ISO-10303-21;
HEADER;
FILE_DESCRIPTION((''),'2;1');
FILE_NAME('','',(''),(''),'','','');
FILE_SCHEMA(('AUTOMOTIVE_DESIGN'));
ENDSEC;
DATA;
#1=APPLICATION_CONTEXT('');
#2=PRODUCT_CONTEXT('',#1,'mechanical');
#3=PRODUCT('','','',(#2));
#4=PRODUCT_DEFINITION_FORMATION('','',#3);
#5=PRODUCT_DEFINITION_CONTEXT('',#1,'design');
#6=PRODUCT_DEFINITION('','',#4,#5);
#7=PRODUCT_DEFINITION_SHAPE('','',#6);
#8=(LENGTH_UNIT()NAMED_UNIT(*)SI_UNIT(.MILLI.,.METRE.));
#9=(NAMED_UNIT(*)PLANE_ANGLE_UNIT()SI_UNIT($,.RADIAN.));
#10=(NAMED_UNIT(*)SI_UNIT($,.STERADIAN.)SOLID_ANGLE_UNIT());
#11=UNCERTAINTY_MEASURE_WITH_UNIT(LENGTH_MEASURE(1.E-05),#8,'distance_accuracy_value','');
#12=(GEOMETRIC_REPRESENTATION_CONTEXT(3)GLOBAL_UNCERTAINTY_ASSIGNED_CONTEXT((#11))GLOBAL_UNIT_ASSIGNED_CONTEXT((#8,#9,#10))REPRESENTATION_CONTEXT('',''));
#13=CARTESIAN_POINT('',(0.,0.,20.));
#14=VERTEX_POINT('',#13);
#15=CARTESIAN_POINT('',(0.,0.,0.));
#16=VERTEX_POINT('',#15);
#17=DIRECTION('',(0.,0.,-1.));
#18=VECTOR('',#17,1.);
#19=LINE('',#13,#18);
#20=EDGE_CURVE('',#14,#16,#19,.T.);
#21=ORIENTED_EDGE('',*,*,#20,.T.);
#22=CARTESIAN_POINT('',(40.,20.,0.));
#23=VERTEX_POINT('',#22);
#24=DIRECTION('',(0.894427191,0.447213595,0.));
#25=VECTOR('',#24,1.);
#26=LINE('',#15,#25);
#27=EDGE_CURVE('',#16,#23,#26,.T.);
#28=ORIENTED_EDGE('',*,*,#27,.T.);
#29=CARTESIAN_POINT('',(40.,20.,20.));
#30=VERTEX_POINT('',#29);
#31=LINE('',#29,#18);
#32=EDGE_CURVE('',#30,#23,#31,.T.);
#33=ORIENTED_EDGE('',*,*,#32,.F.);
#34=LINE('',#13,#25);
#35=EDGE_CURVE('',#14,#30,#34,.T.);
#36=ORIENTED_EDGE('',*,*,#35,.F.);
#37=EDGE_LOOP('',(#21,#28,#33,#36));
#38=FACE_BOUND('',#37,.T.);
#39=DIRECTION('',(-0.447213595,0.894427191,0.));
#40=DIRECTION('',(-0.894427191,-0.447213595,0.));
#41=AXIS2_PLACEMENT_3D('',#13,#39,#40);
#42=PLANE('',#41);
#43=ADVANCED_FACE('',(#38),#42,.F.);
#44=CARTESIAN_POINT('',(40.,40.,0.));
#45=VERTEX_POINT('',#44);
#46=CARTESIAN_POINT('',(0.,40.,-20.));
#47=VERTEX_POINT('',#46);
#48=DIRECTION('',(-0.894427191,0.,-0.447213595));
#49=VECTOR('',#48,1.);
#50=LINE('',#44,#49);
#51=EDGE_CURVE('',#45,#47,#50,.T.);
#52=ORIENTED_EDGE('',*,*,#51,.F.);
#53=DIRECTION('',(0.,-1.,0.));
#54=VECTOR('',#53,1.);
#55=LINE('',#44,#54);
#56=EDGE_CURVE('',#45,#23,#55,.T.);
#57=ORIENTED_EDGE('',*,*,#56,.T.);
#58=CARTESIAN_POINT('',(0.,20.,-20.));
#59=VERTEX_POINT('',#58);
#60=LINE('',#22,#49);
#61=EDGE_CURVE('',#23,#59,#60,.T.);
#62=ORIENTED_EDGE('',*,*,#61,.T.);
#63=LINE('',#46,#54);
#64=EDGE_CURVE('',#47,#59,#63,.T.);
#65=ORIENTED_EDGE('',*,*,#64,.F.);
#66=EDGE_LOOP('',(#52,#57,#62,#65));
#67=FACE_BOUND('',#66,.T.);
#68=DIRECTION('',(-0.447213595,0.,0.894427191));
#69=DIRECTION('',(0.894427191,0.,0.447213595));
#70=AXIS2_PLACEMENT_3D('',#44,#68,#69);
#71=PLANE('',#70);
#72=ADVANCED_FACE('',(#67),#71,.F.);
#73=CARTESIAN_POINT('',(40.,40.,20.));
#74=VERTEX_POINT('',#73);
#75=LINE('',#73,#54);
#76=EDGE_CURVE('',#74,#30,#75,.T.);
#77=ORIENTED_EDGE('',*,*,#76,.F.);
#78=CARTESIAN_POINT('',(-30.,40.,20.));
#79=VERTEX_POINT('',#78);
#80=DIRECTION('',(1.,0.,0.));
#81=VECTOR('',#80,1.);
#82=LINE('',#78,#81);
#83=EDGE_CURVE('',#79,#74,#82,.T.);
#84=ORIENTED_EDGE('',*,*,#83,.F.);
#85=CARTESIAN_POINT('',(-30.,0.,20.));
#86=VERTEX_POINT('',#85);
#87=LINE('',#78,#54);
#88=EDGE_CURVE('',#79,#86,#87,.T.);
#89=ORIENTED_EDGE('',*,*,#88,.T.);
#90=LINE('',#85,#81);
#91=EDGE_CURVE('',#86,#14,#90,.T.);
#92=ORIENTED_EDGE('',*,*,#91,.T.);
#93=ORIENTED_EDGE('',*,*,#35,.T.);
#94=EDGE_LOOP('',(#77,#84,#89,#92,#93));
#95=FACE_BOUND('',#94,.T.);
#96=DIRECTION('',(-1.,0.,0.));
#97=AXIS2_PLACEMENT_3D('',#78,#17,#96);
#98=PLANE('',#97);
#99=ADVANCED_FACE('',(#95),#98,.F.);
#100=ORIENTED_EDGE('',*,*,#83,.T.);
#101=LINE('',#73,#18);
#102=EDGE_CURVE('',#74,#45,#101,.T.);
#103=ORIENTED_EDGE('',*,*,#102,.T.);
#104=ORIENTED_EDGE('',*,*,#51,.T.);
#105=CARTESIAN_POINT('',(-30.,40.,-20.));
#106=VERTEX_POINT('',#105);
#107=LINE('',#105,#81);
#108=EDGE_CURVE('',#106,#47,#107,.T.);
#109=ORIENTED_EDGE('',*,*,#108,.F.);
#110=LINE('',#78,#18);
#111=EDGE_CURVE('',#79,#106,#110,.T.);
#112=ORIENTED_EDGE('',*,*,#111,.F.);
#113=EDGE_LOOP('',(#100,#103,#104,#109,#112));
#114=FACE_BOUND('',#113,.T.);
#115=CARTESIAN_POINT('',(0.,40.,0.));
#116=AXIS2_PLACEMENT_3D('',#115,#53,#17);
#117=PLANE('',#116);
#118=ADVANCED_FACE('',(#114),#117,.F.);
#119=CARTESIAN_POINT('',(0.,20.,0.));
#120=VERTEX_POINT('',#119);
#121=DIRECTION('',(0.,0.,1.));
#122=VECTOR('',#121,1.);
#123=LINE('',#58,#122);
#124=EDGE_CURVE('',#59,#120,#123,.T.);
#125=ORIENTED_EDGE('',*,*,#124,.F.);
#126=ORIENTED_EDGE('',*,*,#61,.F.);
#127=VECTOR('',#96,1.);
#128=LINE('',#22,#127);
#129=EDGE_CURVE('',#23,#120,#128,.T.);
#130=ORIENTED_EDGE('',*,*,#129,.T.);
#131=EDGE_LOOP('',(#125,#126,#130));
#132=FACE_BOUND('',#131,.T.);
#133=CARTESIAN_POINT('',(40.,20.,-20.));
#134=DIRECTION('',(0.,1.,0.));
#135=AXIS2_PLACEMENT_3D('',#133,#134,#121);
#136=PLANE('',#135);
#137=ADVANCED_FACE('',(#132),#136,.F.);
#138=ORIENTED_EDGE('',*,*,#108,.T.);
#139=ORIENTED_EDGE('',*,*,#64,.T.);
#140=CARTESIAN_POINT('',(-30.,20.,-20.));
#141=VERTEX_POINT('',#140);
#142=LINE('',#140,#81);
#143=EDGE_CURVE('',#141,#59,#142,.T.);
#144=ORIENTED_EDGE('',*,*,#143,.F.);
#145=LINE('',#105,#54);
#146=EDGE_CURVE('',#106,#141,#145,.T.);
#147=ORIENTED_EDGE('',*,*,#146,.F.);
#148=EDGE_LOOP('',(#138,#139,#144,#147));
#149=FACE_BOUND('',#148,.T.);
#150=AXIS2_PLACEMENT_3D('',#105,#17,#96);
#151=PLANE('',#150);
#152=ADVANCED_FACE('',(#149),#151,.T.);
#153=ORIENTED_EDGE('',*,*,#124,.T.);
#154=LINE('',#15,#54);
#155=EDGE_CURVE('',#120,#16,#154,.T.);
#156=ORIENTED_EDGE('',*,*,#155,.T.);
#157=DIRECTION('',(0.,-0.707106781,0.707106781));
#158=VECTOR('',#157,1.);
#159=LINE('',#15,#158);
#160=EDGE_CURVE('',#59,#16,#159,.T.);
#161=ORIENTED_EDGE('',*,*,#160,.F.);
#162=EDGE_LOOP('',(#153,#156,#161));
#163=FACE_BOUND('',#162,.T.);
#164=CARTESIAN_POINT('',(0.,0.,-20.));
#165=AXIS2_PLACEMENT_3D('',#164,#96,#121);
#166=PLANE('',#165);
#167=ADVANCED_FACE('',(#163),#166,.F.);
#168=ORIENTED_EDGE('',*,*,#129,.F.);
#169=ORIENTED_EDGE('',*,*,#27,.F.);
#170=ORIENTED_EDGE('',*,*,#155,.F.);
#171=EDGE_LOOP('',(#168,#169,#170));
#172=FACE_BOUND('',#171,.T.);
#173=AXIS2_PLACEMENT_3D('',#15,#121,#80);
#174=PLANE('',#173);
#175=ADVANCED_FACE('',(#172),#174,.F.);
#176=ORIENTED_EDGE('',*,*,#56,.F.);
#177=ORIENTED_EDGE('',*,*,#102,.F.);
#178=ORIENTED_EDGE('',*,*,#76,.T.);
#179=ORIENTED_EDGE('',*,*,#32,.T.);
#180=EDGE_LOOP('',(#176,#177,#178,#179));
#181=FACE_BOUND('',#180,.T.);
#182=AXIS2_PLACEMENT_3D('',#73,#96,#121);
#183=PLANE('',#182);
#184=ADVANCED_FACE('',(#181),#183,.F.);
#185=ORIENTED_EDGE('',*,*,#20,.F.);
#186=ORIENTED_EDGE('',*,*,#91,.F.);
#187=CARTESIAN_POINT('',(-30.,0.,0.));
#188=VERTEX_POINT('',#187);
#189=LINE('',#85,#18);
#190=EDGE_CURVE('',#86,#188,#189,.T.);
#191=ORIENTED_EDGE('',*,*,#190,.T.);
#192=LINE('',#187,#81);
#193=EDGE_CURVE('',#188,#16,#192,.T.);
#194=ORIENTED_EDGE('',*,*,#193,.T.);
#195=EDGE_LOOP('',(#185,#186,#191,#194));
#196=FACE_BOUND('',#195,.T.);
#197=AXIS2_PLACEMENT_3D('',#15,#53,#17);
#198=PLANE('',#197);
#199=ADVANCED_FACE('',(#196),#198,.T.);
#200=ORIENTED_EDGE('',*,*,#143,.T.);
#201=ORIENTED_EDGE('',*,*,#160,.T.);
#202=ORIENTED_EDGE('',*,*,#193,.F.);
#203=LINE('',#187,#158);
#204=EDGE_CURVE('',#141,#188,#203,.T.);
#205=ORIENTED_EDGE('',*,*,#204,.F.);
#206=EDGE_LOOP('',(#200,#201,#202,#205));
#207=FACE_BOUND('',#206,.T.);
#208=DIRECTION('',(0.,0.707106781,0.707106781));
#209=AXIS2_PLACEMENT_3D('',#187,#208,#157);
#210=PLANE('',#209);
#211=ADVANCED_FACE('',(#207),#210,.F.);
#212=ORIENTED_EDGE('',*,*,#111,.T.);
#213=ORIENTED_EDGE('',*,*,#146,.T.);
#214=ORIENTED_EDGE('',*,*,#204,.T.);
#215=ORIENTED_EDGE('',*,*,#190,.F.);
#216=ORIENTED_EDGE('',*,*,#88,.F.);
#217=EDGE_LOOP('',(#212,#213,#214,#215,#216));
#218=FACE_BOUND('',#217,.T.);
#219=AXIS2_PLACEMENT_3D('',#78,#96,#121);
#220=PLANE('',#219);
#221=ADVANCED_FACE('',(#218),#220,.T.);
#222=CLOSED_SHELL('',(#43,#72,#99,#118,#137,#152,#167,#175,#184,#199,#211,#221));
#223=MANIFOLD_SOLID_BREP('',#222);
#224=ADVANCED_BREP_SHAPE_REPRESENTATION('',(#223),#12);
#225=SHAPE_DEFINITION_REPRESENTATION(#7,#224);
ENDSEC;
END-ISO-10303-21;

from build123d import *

# Parameters (mm, degrees)
SKETCH_1_W          = 70
SKETCH_1_H          = 40
EXTRUDE_1_DEPTH     = 40
CUT_EXTRUDE_1_DEPTH = 41
SKETCH_3_W          = 40
SKETCH_3_H          = 20
CUT_EXTRUDE_2_DEPTH = 20
CUT_EXTRUDE_3_DEPTH = 20
CUT_EXTRUDE_4_DEPTH = 31


with BuildPart() as part:
    # 草圖1 → 填料-伸長1 (new body)
    with BuildSketch(Plane(origin=(0, 0, 0), x_dir=(1, 0, 0), z_dir=(0, 1, 0))):
        with Locations((5, 0)):
            Rectangle(SKETCH_1_W, SKETCH_1_H)
    extrude(amount=EXTRUDE_1_DEPTH)

    # 草圖2 → 除料-伸長1 (cut, through all)
    with BuildSketch(Plane.XZ):
        Polygon((40, 0), (0, -20), (40, -20), align=None)
    extrude(amount=-CUT_EXTRUDE_1_DEPTH, mode=Mode.SUBTRACT)

    # 草圖3 → 除料-伸長2 (cut)
    with BuildSketch(Plane.XY):
        with Locations((20, 10)):
            Rectangle(SKETCH_3_W, SKETCH_3_H)
    extrude(amount=-CUT_EXTRUDE_2_DEPTH, mode=Mode.SUBTRACT)

    # 草圖4 → 除料-伸長3 (cut)
    with BuildSketch(Plane(origin=(0, 0, 0), x_dir=(-1, 0, 0), z_dir=(0, 0, -1))):
        Polygon((0, 0), (-40, 20), (-40, 0), align=None)
    extrude(amount=-CUT_EXTRUDE_3_DEPTH, mode=Mode.SUBTRACT)

    # 草圖5 → 除料-伸長4 (cut, through all)
    with BuildSketch(Plane(origin=(0, 0, 0), x_dir=(0, 0, -1), z_dir=(1, 0, 0))):
        Polygon((0, 0), (20, 20), (20, 0), align=None)
    extrude(amount=-CUT_EXTRUDE_4_DEPTH, mode=Mode.SUBTRACT)


solid = part.part
